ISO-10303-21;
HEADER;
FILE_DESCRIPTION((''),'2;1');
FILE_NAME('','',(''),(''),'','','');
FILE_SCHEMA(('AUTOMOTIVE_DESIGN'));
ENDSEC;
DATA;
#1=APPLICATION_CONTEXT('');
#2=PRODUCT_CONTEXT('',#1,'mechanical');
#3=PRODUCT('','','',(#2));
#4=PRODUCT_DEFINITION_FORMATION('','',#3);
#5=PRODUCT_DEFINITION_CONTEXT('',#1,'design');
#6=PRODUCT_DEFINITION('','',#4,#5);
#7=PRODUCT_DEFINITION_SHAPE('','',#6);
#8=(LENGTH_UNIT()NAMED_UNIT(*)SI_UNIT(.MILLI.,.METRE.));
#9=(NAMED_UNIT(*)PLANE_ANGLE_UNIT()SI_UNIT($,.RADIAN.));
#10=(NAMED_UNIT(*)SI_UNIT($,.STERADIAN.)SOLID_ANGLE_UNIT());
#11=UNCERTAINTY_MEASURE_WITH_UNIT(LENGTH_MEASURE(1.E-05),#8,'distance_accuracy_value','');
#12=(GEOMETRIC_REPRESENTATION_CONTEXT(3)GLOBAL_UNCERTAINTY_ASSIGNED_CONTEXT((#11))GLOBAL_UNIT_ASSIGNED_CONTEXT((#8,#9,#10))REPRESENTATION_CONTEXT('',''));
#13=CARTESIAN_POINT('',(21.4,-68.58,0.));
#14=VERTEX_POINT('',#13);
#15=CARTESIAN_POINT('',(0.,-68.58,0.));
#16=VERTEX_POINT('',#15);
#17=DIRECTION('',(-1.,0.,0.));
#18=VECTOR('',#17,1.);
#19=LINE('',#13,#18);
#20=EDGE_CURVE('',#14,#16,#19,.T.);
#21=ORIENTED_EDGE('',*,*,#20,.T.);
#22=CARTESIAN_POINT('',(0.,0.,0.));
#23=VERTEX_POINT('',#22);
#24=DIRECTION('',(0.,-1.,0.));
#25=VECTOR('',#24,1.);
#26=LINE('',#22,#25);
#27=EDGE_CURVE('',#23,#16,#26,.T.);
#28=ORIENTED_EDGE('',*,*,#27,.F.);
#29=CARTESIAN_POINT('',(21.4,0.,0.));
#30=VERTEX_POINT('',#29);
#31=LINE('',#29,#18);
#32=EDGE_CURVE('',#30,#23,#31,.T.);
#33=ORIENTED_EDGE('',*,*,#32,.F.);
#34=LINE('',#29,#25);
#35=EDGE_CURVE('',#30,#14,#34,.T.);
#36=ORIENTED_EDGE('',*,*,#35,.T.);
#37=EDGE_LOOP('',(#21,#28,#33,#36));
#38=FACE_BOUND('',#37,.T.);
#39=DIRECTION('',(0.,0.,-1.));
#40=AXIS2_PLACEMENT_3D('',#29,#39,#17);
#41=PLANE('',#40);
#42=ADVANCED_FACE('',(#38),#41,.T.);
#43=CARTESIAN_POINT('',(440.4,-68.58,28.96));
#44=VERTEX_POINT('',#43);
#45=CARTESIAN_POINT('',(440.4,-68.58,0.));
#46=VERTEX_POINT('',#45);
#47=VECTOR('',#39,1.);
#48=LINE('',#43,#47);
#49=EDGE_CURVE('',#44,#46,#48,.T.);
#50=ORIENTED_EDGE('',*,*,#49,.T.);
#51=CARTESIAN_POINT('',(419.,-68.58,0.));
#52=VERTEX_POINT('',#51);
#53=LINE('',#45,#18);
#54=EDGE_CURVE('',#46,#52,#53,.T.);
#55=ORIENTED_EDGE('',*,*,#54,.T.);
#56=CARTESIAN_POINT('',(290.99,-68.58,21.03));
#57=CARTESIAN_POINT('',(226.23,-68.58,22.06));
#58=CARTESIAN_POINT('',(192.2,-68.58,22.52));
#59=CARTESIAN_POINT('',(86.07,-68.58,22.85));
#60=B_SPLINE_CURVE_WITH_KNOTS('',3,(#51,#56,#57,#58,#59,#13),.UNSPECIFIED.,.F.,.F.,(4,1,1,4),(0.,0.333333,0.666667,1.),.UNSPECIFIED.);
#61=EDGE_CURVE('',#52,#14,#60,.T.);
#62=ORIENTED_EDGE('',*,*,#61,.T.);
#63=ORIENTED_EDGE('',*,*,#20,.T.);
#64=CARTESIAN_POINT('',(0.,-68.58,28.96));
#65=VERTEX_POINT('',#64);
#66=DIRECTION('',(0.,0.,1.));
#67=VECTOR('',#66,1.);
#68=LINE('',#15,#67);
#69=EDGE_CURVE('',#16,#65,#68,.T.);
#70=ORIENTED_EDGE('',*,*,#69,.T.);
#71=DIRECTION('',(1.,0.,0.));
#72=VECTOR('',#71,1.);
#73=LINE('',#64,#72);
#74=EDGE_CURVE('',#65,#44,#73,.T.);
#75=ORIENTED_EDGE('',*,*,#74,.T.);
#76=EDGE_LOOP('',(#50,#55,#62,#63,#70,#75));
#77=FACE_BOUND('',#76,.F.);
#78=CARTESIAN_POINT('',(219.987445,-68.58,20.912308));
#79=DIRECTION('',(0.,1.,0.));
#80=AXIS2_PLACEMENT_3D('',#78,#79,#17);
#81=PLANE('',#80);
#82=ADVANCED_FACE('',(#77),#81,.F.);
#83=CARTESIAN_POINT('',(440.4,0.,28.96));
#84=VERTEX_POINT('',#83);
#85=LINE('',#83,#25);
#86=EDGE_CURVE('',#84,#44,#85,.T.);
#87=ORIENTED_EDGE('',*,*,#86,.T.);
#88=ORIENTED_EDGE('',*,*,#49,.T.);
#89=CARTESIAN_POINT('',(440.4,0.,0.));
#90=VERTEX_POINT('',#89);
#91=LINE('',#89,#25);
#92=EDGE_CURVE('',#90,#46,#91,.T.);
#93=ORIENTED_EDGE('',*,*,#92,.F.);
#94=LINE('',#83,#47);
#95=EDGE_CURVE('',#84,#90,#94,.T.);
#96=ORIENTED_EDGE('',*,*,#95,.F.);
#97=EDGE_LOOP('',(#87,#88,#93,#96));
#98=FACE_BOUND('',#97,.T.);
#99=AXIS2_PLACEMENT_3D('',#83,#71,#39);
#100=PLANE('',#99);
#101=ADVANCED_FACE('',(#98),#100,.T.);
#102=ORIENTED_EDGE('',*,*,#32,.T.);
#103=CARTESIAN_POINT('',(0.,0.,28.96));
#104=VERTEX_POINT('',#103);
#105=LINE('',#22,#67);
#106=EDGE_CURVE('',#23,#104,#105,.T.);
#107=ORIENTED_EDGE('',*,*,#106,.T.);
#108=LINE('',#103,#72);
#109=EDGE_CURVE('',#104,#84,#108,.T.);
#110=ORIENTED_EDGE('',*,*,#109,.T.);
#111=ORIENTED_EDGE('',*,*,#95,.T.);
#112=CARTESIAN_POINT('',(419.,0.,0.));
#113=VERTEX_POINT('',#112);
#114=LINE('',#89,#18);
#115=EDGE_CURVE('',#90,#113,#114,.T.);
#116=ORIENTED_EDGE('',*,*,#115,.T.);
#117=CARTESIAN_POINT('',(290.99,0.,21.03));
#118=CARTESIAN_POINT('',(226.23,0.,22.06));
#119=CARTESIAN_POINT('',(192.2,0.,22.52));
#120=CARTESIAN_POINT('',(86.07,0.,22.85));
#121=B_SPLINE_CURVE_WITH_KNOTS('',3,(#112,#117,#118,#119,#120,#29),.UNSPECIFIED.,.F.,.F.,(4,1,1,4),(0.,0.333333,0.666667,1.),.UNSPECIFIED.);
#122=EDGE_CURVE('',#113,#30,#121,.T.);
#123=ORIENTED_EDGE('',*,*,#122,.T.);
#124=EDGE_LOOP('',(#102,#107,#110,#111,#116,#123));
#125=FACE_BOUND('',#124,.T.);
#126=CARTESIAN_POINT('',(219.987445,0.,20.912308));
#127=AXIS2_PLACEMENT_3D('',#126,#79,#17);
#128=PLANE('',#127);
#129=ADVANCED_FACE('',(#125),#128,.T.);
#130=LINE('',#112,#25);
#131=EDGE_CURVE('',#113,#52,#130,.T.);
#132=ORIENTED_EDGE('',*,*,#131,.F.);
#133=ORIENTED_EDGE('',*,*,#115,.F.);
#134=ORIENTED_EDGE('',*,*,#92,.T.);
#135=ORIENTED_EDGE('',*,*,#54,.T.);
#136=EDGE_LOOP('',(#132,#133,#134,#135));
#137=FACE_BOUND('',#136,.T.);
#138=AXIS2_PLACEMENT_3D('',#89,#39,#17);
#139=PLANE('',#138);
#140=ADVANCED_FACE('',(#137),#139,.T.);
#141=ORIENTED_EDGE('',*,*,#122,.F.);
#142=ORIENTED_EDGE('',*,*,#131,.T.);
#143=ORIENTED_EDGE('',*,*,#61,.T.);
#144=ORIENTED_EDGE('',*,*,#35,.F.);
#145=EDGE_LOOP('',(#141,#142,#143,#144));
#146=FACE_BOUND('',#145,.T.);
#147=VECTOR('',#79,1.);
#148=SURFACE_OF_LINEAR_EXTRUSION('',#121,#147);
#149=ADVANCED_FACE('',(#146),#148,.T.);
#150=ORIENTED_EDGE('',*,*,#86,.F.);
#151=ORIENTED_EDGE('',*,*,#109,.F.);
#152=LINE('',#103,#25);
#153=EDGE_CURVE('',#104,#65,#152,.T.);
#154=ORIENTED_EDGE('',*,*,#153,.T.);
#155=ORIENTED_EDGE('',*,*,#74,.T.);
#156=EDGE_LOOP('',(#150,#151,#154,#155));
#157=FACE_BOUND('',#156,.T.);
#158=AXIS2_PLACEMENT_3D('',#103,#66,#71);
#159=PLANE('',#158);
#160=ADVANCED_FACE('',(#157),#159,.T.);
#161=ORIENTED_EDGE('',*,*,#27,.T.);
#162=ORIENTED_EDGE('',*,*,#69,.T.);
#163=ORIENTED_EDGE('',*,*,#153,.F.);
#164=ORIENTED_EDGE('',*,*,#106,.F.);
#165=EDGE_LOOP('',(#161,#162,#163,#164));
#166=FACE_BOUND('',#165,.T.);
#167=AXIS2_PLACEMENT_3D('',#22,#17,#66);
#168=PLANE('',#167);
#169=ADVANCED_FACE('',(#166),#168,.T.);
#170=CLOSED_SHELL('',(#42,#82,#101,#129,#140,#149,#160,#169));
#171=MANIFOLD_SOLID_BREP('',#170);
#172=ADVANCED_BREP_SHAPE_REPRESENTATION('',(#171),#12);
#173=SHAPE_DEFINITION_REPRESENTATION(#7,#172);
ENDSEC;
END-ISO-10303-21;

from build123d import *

# Parameters (mm, degrees)
BAR_DEPTH = 68.58


with BuildPart() as part:
    # Sketch → Bar (new body)
    with BuildSketch(Plane.XZ):
        with BuildLine():
            Line((21.4, 0), (0, 0))
            Line((0, 0), (0, 28.96))
            Line((0, 28.96), (440.4, 28.96))
            Line((440.4, 28.96), (440.4, 0))
            Line((440.4, 0), (419, 0))
            add(Edge.make_bspline(
                [(419, 0), (290.99, 21.03), (226.23, 22.06), (192.2, 22.52), (86.07, 22.85), (21.4, 0)],
                knots=[0, 0, 0, 0, 0.333333, 0.666667, 1, 1, 1, 1], degree=3))
        make_face()
    extrude(amount=BAR_DEPTH)


solid = part.part
